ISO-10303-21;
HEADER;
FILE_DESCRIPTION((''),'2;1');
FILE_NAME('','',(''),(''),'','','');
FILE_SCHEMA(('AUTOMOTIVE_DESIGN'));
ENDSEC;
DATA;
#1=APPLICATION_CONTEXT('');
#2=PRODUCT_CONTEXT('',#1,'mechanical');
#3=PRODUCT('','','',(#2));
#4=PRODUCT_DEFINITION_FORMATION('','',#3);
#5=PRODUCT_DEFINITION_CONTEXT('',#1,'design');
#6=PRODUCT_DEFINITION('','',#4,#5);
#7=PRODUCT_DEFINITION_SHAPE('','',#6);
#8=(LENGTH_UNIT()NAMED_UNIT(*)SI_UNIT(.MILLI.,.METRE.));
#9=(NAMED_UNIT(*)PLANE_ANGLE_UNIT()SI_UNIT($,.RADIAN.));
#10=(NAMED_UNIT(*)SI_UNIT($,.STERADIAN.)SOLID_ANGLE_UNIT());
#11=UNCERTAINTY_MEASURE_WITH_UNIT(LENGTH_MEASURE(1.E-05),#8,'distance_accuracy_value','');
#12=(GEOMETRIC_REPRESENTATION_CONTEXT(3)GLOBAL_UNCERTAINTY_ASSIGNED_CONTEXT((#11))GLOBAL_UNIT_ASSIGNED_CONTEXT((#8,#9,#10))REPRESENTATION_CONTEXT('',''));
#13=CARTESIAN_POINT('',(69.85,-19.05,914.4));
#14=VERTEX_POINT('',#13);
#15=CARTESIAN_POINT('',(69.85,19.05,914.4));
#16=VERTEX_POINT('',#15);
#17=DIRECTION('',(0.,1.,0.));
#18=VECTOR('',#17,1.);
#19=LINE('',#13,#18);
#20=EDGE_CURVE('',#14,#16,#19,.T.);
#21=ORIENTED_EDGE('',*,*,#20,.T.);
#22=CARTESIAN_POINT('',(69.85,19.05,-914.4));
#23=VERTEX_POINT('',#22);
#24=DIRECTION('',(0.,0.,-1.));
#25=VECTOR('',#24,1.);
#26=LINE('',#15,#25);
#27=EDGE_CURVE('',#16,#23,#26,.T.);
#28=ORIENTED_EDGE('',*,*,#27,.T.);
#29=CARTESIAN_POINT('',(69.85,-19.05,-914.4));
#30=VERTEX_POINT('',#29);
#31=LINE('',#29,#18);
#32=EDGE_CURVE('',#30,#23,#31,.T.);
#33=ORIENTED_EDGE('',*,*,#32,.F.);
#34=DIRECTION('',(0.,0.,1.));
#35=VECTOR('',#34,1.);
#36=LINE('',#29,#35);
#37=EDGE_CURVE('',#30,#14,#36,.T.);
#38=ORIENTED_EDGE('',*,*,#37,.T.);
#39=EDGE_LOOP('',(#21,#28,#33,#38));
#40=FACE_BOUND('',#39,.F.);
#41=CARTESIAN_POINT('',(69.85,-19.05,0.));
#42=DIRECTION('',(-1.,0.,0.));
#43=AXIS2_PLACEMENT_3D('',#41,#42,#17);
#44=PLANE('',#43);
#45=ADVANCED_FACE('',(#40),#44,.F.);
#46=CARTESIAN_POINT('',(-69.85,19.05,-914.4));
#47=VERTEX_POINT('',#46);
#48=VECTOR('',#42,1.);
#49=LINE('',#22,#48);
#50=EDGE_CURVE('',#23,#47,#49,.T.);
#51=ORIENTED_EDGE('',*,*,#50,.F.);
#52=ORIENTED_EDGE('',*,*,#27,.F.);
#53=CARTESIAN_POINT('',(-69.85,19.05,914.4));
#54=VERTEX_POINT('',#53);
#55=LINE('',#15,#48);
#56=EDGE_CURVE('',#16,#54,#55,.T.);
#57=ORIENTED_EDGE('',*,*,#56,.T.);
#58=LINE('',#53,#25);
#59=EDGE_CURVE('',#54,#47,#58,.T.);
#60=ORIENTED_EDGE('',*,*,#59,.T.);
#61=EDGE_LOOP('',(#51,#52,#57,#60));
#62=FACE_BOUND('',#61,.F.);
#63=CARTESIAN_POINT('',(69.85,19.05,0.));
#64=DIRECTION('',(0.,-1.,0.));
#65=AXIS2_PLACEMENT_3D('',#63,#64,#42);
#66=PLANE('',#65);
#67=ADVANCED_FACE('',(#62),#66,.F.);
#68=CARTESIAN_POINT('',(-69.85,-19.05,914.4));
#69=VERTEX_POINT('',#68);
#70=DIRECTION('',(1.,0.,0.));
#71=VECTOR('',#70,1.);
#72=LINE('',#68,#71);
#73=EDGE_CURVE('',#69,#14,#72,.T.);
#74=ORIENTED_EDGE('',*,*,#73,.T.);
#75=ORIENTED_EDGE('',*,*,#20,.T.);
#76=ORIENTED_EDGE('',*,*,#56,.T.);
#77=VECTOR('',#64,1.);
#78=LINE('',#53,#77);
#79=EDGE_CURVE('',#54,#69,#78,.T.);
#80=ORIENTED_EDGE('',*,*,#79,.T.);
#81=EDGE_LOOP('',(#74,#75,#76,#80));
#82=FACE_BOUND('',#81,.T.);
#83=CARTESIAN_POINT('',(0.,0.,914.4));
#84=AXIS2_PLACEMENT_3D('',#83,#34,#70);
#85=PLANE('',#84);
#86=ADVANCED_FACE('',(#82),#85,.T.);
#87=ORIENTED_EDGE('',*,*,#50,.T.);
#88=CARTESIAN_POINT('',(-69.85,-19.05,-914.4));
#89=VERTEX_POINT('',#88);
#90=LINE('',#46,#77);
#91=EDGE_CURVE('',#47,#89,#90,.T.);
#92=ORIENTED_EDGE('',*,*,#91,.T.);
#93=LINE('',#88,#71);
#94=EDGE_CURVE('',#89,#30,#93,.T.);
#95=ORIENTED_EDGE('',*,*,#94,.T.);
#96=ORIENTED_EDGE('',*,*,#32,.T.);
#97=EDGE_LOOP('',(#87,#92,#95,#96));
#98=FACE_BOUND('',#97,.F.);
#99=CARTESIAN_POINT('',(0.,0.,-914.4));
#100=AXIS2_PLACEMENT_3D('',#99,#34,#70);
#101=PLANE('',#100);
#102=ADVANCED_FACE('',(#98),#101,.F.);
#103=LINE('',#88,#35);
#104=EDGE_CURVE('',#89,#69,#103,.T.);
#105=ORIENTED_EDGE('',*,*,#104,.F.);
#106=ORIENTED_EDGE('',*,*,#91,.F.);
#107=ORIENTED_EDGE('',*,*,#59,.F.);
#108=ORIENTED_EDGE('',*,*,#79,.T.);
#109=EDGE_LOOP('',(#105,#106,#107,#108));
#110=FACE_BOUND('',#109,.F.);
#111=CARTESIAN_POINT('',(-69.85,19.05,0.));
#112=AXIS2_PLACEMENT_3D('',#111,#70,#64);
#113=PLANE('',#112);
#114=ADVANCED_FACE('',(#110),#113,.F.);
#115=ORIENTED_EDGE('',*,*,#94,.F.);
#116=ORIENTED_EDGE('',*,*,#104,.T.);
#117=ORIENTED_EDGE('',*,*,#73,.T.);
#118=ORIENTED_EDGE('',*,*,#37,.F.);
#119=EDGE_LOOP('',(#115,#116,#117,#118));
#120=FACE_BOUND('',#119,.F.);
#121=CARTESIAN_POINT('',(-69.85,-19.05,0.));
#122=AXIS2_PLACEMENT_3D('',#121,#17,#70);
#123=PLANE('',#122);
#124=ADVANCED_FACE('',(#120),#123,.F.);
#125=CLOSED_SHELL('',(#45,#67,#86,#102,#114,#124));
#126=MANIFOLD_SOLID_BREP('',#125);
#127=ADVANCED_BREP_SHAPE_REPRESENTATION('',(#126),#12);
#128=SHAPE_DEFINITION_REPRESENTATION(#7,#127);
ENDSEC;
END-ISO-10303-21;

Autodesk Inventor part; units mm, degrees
ref_plane "YZ Plane" through (0, 0, 0) normal (1, 0, 0) x (0, 1, 0)
ref_plane "XZ Plane" through (0, 0, 0) normal (0, 1, 0) x (-1, 0, 0)
ref_plane "XY Plane" through (0, 0, 0) normal (0, 0, 1) x (1, 0, 0)
sketch "Sketch1" plane through (0, 0, 0) normal (0, 0, 1) x (1, 0, 0)
  line L0 (-69.85, -19.05) -> (69.85, -19.05)
  line L1 (69.85, -19.05) -> (69.85, 19.05)
  line L2 (69.85, 19.05) -> (-69.85, 19.05)
  line L3 (-69.85, 19.05) -> (-69.85, -19.05)
  line L4 (-69.85, -19.05) -> (69.85, 19.05) construction
  line L5 (69.85, -19.05) -> (-69.85, 19.05) construction
  point P0 (0, 0)
  dimension "d0" = 139.7
  dimension "d1" = 38.1
extrude "Extrusion1" add sketch "Sketch1" along normal mid plane 1828.8
properties part number "2x6x72-board" material "Wood (Birch)"
